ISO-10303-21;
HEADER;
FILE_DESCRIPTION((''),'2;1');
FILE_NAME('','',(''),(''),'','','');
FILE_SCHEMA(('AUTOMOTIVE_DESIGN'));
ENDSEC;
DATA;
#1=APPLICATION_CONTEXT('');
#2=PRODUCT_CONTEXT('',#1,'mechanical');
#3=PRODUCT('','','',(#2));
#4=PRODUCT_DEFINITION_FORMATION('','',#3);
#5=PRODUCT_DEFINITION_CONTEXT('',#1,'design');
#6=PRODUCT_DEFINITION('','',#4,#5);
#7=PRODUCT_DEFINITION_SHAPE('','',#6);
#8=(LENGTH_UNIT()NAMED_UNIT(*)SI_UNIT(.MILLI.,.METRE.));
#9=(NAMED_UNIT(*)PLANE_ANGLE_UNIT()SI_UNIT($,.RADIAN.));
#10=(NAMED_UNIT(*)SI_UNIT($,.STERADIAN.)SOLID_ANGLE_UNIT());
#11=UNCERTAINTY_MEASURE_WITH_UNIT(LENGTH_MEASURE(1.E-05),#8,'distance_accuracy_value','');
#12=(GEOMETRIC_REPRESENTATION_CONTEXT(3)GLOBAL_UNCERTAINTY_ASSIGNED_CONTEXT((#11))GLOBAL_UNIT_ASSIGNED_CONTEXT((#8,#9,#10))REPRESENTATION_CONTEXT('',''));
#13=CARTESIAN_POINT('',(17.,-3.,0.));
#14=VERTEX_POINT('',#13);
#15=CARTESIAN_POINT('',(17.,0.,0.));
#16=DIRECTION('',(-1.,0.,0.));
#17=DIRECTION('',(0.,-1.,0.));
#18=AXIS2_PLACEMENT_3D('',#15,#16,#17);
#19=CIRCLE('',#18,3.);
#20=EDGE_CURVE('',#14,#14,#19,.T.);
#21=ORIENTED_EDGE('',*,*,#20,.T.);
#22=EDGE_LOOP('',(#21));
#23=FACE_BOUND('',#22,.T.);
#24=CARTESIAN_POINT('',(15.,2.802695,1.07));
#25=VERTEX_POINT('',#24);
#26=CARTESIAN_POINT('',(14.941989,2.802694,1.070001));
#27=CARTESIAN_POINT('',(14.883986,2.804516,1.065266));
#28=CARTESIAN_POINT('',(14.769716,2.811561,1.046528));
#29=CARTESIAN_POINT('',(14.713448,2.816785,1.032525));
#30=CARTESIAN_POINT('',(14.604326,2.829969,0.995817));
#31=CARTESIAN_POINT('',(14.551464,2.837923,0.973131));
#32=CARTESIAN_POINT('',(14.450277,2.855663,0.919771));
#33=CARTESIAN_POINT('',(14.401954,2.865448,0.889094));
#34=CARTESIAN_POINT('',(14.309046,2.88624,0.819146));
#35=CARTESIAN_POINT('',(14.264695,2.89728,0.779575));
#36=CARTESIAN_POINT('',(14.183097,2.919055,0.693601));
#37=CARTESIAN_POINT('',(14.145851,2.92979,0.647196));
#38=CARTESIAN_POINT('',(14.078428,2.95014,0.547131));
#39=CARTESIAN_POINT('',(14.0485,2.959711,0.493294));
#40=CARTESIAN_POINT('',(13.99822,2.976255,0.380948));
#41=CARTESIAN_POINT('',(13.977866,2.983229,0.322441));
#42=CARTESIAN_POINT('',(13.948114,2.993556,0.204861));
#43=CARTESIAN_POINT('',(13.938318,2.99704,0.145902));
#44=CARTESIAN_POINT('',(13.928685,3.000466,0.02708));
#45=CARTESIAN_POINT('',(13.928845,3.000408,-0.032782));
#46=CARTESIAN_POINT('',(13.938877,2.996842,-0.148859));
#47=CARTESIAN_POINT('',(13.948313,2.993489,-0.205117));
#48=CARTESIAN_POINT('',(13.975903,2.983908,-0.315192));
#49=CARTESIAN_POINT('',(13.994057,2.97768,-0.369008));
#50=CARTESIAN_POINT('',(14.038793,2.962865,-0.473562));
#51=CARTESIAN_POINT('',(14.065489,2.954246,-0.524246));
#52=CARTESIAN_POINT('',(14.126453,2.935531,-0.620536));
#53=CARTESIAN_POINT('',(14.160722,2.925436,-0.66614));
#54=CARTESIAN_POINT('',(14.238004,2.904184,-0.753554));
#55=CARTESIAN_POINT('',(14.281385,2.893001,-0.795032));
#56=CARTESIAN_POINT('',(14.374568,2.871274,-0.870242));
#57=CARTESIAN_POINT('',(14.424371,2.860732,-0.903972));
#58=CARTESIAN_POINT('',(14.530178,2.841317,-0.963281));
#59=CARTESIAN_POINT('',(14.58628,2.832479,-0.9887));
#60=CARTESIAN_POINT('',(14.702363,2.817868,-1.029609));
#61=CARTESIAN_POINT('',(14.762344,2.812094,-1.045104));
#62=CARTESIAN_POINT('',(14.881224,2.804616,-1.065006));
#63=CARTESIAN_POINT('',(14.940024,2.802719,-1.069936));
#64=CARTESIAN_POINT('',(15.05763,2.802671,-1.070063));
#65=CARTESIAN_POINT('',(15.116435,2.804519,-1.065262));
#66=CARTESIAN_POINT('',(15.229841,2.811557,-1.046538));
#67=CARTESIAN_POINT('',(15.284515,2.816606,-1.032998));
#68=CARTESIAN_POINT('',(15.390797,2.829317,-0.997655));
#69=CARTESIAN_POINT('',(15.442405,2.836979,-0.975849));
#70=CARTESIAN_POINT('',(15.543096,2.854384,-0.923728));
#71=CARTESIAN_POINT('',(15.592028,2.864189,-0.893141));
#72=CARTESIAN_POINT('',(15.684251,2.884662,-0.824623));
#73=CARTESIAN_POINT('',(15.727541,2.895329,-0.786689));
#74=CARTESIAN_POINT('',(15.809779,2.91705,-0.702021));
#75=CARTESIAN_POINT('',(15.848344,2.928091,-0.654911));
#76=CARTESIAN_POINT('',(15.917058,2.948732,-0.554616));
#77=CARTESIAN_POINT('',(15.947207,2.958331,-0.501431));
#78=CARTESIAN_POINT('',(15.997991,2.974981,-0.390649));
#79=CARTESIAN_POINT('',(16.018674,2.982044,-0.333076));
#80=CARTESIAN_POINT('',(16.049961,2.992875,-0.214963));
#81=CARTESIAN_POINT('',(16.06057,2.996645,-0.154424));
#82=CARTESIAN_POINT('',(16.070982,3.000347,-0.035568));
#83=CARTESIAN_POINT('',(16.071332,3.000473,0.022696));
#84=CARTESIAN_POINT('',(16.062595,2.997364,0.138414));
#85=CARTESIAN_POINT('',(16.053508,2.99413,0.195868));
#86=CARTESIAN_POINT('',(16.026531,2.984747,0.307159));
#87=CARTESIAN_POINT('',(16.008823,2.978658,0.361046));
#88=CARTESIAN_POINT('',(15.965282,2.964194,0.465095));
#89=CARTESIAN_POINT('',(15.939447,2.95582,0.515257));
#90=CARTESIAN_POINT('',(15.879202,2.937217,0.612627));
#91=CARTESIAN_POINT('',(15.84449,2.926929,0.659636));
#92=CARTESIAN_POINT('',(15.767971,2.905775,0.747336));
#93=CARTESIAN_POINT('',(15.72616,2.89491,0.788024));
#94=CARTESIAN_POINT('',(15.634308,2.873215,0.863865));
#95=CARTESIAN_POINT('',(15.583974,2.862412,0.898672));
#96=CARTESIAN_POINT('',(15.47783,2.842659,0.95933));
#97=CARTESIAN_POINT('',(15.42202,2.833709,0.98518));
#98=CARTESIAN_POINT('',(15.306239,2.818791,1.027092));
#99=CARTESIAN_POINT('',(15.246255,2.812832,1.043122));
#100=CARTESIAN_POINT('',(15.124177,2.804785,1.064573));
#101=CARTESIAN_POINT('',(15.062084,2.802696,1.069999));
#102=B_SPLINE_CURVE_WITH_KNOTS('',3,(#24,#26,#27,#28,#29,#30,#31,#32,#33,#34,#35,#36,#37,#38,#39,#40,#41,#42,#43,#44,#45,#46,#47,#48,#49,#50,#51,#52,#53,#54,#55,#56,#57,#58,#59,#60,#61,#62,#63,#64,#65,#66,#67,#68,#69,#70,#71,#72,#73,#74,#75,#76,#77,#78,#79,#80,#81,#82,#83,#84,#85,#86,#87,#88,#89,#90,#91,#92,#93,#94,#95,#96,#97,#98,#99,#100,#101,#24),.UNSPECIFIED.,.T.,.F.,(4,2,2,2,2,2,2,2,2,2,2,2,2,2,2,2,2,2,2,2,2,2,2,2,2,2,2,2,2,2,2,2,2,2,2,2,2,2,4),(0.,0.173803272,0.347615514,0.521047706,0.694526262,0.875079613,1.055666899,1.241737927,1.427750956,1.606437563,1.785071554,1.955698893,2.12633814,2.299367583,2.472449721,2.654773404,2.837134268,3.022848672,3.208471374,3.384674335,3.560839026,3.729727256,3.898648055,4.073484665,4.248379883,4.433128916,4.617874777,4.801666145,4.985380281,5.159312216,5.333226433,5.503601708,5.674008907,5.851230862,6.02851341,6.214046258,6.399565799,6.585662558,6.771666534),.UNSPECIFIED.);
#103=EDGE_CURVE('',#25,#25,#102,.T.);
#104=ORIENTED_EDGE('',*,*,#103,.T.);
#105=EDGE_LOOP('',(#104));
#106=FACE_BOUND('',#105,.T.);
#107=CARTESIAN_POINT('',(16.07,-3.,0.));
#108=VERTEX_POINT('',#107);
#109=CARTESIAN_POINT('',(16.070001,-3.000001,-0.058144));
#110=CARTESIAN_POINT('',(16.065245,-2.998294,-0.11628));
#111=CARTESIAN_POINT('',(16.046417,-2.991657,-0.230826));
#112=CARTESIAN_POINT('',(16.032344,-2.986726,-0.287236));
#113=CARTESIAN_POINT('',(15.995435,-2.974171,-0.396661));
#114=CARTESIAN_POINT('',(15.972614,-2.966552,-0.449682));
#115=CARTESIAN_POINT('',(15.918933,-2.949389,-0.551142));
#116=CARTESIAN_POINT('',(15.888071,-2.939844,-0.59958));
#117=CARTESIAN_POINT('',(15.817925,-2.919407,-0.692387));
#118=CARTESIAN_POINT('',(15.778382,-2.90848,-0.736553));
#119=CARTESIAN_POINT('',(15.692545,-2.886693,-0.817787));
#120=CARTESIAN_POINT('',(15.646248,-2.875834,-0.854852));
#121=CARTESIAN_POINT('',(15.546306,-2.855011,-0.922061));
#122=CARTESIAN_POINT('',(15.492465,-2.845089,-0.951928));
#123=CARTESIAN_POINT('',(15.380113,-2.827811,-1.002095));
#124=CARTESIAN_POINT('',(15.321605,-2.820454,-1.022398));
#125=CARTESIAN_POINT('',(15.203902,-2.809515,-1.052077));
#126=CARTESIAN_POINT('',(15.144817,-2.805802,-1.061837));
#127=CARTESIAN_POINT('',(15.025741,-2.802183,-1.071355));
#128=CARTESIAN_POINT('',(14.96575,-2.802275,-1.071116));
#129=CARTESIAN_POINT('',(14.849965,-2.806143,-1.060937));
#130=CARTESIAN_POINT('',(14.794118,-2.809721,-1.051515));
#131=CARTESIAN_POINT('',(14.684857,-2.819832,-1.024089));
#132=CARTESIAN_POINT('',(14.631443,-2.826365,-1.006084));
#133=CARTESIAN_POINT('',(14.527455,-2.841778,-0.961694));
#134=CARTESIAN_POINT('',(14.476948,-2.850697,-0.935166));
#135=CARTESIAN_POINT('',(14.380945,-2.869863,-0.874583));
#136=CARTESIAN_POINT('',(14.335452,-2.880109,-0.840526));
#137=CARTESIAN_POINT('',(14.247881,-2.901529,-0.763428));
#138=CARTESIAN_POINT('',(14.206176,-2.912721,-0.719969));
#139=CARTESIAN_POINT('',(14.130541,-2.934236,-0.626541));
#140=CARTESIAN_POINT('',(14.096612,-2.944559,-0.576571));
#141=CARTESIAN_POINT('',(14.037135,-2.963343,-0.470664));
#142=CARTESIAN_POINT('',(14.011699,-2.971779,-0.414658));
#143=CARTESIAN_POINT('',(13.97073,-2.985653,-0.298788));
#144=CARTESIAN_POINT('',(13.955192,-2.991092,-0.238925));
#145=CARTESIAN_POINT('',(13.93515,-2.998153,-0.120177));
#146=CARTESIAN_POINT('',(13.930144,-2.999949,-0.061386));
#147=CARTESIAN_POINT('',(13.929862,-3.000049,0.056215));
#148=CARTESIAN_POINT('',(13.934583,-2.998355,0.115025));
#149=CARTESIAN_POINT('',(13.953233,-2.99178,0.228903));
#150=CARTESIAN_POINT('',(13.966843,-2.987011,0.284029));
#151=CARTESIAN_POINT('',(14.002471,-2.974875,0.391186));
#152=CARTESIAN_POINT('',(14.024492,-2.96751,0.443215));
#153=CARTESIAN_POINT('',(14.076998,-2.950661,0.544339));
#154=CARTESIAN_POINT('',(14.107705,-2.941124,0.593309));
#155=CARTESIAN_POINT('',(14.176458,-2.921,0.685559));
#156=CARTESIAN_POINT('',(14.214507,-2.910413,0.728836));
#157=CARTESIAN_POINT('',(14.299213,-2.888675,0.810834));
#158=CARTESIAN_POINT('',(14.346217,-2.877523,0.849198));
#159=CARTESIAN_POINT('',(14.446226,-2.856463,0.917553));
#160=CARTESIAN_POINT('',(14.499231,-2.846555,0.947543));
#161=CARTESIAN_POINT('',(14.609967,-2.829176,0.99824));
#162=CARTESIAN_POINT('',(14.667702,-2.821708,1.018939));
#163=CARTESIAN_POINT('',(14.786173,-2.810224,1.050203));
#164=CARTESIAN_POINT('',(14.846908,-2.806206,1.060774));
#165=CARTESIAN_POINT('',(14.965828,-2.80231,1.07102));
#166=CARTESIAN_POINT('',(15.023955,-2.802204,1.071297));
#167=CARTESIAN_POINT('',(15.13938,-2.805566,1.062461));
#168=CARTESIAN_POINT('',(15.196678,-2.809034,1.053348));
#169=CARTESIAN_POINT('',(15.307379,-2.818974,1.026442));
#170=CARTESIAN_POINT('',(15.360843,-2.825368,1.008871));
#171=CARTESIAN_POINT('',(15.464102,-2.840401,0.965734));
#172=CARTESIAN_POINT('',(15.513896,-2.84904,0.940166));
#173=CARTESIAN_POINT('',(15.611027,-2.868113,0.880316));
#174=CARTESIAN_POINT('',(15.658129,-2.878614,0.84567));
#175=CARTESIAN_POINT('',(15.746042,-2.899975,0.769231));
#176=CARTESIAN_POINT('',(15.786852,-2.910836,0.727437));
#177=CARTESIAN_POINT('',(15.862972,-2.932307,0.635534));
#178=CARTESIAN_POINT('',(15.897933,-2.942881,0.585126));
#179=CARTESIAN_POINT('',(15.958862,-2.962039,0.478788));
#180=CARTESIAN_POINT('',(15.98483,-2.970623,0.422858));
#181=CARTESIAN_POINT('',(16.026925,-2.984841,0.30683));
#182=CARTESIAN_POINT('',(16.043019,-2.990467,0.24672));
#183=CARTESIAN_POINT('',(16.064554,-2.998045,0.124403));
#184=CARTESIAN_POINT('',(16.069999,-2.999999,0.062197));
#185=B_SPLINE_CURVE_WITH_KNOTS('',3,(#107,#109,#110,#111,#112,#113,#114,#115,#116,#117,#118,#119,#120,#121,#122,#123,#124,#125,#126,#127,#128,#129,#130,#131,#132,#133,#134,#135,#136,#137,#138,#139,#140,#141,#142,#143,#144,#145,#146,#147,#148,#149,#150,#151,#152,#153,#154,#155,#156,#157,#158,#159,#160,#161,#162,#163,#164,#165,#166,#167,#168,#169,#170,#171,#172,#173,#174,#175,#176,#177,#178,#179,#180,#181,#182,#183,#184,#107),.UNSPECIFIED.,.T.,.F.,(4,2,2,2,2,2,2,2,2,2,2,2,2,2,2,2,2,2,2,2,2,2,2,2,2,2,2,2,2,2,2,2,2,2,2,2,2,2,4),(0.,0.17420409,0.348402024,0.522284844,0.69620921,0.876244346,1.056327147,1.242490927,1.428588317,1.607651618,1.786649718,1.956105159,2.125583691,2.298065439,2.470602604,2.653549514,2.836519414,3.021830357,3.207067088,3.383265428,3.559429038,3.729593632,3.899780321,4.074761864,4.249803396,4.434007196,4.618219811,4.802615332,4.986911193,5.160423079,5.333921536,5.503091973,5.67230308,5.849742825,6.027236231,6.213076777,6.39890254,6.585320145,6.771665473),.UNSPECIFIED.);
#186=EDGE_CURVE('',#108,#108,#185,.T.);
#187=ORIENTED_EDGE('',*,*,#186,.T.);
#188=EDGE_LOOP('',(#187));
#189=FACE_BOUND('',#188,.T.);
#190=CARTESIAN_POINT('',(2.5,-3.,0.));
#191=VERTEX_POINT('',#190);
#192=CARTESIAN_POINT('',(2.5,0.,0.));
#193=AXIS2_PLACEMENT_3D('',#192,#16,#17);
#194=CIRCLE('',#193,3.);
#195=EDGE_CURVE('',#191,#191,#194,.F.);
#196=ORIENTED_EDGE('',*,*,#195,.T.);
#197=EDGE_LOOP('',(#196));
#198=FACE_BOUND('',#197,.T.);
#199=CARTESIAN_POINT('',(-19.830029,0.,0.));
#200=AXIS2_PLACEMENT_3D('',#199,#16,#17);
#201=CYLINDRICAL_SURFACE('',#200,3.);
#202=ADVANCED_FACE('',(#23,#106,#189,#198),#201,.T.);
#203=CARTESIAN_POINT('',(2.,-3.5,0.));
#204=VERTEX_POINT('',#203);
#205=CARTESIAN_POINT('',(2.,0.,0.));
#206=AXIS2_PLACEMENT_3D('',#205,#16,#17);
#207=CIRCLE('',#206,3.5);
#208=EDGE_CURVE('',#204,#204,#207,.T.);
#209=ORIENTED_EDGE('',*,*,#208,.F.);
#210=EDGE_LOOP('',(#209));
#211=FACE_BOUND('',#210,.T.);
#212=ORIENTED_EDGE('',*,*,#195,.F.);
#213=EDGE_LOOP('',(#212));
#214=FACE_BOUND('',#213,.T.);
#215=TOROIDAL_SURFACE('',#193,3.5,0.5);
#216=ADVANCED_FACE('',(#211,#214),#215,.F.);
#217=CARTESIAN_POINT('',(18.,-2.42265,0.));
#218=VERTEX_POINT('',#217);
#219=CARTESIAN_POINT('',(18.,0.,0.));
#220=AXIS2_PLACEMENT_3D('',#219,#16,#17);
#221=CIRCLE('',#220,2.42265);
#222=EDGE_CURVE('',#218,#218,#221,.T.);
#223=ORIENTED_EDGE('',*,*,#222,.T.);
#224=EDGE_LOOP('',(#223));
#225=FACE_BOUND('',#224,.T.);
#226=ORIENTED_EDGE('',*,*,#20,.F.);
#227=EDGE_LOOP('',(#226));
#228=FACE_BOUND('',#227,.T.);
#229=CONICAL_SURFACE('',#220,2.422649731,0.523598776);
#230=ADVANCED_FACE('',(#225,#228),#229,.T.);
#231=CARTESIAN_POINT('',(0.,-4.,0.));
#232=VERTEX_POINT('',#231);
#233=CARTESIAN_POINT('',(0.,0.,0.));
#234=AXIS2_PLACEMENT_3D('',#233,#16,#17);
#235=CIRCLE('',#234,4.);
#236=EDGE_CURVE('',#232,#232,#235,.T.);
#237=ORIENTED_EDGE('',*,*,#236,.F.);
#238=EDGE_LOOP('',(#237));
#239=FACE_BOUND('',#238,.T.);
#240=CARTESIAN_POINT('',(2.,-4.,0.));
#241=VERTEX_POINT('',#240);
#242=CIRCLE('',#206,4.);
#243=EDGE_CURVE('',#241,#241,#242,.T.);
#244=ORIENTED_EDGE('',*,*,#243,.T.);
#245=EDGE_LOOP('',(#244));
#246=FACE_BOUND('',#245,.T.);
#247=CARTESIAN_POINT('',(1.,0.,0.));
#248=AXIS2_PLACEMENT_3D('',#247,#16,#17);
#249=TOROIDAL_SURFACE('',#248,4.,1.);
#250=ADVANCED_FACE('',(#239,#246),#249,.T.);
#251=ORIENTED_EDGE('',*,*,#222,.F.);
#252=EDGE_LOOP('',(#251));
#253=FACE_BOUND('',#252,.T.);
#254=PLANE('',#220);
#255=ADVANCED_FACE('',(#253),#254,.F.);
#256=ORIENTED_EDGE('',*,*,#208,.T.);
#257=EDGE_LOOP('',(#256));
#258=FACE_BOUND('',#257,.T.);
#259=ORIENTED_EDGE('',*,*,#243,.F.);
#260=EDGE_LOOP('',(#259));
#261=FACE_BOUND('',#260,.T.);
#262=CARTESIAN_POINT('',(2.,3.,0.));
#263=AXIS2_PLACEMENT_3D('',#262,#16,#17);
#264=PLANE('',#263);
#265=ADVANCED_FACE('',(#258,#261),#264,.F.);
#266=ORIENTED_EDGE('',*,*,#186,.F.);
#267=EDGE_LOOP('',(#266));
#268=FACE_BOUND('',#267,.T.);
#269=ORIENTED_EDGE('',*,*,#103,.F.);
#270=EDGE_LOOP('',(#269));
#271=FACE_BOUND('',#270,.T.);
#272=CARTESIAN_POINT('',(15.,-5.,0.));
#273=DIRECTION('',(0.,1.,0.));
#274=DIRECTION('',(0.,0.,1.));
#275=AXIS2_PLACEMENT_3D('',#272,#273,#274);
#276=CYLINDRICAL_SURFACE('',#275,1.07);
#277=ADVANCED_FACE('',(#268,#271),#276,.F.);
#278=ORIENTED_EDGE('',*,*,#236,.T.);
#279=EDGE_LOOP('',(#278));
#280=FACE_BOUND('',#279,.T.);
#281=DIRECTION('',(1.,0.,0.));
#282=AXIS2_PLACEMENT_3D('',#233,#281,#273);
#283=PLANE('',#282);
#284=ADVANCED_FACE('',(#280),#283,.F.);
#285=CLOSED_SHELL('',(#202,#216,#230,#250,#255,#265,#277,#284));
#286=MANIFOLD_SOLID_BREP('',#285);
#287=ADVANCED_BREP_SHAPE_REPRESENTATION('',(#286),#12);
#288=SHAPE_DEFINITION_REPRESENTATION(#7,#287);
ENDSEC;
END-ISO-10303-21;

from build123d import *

# Parameters (mm, degrees)
CHAMFER1_R      = 0.5
SKETCH2_R       = 1.07
HOLE_DEPTH      = 6
HOLE_DEPTH_BACK = 6.0000001


with BuildPart() as part:
    # Sketch1 → BaseBody (revolve)
    with BuildSketch(Plane.XY):
        with BuildLine():
            Line((18, 0), (0, 0))
            Line((0, 0), (0, 4))
            ThreePointArc((0, 4), (1, 5), (2, 4))
            Line((2, 4), (2, 3))
            Line((2, 3), (17, 3))
            Line((17, 3), (18, 2.422649731))
            Line((18, 2.422649731), (18, 0))
        make_face()
    revolve(axis=Axis((-19.830028721, 0, 0), (1, 0, 0)))

    # Chamfer1
    chamfer1_edges = [part.edges().sort_by_distance(p)[0] for p in [
        (2, -3, 0),
    ]]
    fillet(chamfer1_edges, radius=CHAMFER1_R)

    # Sketch2 → Hole (cut, two sides)
    with BuildSketch(Plane(origin=(0, 0, 0), x_dir=(1, 0, 0), z_dir=(0, 1, 0))) as hole_sk:
        with Locations((15, 0)):
            Circle(SKETCH2_R)
    extrude(amount=HOLE_DEPTH, mode=Mode.SUBTRACT)
    extrude(hole_sk.sketch, amount=-HOLE_DEPTH_BACK, mode=Mode.SUBTRACT)


solid = part.part
